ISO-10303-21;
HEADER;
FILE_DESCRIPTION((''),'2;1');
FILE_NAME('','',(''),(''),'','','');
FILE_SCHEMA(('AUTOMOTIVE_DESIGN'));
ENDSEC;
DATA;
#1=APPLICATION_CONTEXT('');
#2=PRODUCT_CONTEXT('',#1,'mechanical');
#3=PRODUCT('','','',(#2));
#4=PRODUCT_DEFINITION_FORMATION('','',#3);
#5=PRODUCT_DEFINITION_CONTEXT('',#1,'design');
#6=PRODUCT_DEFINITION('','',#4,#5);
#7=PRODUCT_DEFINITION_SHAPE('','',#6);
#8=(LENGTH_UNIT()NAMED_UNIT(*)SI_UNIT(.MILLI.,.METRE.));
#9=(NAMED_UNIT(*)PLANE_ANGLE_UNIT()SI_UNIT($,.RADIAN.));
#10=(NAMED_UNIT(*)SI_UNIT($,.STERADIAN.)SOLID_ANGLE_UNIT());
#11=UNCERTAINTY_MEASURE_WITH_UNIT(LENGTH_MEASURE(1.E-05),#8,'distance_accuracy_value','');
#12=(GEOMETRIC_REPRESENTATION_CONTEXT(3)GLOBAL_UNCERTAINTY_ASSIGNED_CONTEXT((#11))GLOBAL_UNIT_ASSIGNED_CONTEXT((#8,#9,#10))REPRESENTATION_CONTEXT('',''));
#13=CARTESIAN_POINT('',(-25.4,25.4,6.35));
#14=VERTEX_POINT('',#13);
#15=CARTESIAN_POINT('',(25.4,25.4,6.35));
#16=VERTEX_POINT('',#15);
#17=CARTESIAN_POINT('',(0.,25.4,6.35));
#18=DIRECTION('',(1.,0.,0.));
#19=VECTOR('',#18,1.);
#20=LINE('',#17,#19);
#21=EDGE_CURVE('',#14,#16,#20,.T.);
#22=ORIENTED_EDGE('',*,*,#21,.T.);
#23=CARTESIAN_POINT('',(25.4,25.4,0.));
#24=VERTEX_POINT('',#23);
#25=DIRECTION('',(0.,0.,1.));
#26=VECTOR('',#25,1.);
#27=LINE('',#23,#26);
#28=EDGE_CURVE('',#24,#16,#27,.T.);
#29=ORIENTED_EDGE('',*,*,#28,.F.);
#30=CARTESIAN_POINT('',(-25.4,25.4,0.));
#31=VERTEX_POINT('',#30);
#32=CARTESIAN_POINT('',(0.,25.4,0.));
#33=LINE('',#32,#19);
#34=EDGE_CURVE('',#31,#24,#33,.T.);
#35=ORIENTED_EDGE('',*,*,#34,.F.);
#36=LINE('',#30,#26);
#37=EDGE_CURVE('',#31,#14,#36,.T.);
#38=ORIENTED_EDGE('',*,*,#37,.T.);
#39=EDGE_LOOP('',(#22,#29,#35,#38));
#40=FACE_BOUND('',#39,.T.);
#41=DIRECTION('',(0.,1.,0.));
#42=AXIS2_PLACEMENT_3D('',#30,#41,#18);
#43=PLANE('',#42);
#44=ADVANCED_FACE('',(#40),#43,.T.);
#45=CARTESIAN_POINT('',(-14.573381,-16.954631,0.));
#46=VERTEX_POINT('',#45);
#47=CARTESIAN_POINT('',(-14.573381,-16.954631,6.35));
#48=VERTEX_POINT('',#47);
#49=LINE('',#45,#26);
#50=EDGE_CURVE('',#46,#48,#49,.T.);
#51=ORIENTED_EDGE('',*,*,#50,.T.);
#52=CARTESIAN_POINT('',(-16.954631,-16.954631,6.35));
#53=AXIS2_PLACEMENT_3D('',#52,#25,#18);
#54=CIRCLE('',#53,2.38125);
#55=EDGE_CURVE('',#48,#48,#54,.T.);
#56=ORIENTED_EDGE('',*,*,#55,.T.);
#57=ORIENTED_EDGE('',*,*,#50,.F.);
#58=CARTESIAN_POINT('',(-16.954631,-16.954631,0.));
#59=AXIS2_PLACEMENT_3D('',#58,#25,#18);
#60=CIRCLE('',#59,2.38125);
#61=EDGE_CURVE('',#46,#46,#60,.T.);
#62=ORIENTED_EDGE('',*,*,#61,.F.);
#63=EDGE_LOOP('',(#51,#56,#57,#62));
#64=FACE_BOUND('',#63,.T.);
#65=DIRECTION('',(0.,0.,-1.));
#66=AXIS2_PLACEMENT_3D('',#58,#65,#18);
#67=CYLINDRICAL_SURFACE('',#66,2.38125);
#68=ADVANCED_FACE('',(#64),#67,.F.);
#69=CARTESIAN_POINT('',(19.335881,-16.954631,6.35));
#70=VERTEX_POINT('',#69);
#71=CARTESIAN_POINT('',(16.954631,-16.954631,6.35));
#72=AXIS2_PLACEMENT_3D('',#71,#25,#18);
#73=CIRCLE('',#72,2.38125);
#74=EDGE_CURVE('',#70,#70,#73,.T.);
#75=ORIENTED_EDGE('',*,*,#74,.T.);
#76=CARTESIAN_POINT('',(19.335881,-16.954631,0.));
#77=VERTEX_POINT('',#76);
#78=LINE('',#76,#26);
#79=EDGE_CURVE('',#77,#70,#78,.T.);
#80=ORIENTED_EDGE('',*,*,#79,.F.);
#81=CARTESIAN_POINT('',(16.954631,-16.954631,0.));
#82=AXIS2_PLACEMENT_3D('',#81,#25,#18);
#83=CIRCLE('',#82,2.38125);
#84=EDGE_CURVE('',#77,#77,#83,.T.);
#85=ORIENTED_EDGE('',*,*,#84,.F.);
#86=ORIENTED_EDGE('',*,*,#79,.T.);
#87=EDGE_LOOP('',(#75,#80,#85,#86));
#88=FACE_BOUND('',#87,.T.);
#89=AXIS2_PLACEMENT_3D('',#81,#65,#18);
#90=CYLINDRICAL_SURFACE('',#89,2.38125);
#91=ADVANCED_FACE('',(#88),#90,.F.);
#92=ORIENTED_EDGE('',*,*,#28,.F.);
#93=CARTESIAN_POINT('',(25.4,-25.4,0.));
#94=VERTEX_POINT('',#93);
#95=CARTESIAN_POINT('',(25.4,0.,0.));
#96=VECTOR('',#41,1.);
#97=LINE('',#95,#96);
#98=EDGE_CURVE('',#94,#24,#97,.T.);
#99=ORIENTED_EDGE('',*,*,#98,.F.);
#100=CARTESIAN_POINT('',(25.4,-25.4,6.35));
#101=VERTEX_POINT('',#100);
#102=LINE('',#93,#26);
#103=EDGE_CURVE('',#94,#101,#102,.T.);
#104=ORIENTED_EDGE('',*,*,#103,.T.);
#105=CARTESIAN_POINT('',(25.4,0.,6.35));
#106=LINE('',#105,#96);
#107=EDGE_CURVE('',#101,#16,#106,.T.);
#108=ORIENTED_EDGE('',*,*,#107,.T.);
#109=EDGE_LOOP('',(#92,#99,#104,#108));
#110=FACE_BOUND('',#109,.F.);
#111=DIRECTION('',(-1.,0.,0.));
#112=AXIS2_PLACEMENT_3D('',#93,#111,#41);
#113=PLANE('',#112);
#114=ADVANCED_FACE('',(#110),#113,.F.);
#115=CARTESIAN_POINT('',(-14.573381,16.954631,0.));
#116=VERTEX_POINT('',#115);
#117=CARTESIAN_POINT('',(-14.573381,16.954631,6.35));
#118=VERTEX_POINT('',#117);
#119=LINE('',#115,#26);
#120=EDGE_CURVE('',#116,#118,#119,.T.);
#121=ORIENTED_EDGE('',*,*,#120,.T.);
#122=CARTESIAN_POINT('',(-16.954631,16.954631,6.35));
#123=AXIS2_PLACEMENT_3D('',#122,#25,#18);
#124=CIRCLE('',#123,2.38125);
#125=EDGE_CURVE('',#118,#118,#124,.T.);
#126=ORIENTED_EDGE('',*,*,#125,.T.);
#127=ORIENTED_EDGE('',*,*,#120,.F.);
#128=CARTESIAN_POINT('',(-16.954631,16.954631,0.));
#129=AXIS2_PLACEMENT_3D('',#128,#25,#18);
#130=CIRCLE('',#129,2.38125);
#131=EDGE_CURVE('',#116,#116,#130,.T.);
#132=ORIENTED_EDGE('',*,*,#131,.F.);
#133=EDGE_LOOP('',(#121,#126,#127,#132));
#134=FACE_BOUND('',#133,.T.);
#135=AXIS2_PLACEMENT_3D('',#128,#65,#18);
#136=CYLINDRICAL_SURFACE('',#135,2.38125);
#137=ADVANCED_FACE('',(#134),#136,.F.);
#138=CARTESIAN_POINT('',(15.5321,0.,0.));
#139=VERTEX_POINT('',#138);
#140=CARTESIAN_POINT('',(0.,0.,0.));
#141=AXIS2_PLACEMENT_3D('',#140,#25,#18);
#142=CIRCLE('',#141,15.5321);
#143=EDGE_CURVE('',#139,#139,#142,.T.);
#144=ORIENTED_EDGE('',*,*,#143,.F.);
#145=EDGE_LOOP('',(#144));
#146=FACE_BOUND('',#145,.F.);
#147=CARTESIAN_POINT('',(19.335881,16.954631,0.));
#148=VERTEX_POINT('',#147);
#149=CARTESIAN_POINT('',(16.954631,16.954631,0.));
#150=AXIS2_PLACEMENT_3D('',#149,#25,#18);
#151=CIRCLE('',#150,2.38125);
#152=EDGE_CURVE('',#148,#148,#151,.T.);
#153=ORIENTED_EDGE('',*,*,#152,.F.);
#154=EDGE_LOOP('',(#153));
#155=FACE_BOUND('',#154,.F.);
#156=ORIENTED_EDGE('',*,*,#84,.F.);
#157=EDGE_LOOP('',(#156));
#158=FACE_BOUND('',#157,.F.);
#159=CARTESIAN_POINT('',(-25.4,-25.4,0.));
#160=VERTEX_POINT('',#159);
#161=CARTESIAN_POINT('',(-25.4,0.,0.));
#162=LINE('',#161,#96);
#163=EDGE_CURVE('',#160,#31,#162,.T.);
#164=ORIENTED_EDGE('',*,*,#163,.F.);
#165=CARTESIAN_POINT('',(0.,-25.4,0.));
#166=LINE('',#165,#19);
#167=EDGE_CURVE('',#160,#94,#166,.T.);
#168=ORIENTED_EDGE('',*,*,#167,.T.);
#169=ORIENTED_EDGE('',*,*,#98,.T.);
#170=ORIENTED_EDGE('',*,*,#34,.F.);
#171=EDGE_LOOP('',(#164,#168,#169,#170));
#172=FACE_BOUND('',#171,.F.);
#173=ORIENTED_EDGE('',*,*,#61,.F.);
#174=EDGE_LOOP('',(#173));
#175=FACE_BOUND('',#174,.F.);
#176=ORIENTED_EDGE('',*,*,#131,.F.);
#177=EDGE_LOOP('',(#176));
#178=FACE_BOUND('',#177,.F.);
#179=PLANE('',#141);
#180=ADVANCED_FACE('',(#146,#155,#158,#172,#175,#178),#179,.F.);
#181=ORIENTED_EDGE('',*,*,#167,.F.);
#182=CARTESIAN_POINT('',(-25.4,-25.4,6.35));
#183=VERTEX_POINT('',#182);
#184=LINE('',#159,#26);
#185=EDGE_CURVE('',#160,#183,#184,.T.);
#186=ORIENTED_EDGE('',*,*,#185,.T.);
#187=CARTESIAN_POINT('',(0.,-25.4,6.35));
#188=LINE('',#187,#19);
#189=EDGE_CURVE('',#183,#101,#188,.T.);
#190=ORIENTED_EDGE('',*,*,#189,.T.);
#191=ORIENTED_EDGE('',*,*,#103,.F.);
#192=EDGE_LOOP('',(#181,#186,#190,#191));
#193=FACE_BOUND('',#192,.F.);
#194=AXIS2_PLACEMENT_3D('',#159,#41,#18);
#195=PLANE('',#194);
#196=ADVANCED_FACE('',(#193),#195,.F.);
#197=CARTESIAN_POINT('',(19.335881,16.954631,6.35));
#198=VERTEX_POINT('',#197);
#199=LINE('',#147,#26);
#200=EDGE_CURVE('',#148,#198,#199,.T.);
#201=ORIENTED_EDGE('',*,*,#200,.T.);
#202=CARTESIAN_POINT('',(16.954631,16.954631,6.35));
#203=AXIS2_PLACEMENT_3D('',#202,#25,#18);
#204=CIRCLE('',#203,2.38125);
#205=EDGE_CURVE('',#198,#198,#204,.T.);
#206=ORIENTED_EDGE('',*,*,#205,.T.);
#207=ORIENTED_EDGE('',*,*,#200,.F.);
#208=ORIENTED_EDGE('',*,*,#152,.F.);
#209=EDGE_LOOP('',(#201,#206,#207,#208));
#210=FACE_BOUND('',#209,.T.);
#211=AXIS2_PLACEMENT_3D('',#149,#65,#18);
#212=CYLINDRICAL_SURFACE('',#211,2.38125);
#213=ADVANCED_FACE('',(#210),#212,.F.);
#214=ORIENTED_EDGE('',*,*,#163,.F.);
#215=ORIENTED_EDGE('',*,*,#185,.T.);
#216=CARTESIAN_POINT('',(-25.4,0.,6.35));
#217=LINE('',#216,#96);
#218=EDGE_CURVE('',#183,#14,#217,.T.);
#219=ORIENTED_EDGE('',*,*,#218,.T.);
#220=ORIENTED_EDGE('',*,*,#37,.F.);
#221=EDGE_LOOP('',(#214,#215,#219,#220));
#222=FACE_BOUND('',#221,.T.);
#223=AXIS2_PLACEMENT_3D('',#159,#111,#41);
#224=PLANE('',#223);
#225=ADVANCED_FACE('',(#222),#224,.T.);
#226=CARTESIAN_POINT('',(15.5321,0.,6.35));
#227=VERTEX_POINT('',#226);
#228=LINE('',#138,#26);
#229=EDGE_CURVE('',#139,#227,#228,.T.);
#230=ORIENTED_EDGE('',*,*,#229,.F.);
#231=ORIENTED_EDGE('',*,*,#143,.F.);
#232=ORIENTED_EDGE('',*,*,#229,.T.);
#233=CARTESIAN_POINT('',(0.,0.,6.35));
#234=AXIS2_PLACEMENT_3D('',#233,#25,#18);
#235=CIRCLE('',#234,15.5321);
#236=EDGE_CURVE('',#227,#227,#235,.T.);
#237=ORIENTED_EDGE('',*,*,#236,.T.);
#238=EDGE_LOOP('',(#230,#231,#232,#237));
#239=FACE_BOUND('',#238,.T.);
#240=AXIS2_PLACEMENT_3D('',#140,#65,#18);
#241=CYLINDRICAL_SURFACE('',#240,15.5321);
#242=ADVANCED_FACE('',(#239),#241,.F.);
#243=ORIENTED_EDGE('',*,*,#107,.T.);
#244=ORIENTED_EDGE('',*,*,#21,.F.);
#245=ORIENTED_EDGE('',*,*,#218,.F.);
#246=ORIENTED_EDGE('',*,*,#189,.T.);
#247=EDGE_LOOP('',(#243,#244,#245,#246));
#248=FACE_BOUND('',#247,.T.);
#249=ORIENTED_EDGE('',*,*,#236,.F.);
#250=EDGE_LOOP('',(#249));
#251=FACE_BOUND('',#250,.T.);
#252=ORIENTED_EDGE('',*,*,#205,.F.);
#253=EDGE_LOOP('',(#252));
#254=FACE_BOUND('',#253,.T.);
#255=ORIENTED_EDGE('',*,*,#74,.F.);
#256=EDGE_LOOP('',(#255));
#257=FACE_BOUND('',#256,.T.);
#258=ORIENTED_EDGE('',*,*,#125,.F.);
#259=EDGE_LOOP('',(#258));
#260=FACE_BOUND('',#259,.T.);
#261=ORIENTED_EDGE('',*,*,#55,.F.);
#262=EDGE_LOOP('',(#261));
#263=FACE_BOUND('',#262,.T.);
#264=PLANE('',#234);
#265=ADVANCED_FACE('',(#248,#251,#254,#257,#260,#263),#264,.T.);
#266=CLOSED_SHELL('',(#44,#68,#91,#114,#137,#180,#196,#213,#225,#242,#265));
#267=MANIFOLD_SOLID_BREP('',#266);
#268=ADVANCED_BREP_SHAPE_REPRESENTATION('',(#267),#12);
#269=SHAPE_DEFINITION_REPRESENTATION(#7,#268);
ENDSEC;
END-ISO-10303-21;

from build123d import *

# Parameters (mm, degrees)
F0_W     = 50.8
F0_H     = 50.8
F0_R     = 2.38125
F0_R_2   = 15.5321
F1_DEPTH = 6.35


with BuildPart() as f1:
    # F0 (on Top) → F1 (new body)
    with BuildSketch(Plane.XY):
        Rectangle(F0_W, F0_H)
        with Locations((-16.954631, -16.954631)):
            Circle(F0_R, mode=Mode.SUBTRACT)
        Circle(F0_R_2, mode=Mode.SUBTRACT)
        with Locations((16.954631, -16.954631)):
            Circle(F0_R, mode=Mode.SUBTRACT)
        with Locations((-16.954631, 16.954631)):
            Circle(F0_R, mode=Mode.SUBTRACT)
        with Locations((16.954631, 16.954631)):
            Circle(F0_R, mode=Mode.SUBTRACT)
    extrude(amount=F1_DEPTH)


solid = f1.part
